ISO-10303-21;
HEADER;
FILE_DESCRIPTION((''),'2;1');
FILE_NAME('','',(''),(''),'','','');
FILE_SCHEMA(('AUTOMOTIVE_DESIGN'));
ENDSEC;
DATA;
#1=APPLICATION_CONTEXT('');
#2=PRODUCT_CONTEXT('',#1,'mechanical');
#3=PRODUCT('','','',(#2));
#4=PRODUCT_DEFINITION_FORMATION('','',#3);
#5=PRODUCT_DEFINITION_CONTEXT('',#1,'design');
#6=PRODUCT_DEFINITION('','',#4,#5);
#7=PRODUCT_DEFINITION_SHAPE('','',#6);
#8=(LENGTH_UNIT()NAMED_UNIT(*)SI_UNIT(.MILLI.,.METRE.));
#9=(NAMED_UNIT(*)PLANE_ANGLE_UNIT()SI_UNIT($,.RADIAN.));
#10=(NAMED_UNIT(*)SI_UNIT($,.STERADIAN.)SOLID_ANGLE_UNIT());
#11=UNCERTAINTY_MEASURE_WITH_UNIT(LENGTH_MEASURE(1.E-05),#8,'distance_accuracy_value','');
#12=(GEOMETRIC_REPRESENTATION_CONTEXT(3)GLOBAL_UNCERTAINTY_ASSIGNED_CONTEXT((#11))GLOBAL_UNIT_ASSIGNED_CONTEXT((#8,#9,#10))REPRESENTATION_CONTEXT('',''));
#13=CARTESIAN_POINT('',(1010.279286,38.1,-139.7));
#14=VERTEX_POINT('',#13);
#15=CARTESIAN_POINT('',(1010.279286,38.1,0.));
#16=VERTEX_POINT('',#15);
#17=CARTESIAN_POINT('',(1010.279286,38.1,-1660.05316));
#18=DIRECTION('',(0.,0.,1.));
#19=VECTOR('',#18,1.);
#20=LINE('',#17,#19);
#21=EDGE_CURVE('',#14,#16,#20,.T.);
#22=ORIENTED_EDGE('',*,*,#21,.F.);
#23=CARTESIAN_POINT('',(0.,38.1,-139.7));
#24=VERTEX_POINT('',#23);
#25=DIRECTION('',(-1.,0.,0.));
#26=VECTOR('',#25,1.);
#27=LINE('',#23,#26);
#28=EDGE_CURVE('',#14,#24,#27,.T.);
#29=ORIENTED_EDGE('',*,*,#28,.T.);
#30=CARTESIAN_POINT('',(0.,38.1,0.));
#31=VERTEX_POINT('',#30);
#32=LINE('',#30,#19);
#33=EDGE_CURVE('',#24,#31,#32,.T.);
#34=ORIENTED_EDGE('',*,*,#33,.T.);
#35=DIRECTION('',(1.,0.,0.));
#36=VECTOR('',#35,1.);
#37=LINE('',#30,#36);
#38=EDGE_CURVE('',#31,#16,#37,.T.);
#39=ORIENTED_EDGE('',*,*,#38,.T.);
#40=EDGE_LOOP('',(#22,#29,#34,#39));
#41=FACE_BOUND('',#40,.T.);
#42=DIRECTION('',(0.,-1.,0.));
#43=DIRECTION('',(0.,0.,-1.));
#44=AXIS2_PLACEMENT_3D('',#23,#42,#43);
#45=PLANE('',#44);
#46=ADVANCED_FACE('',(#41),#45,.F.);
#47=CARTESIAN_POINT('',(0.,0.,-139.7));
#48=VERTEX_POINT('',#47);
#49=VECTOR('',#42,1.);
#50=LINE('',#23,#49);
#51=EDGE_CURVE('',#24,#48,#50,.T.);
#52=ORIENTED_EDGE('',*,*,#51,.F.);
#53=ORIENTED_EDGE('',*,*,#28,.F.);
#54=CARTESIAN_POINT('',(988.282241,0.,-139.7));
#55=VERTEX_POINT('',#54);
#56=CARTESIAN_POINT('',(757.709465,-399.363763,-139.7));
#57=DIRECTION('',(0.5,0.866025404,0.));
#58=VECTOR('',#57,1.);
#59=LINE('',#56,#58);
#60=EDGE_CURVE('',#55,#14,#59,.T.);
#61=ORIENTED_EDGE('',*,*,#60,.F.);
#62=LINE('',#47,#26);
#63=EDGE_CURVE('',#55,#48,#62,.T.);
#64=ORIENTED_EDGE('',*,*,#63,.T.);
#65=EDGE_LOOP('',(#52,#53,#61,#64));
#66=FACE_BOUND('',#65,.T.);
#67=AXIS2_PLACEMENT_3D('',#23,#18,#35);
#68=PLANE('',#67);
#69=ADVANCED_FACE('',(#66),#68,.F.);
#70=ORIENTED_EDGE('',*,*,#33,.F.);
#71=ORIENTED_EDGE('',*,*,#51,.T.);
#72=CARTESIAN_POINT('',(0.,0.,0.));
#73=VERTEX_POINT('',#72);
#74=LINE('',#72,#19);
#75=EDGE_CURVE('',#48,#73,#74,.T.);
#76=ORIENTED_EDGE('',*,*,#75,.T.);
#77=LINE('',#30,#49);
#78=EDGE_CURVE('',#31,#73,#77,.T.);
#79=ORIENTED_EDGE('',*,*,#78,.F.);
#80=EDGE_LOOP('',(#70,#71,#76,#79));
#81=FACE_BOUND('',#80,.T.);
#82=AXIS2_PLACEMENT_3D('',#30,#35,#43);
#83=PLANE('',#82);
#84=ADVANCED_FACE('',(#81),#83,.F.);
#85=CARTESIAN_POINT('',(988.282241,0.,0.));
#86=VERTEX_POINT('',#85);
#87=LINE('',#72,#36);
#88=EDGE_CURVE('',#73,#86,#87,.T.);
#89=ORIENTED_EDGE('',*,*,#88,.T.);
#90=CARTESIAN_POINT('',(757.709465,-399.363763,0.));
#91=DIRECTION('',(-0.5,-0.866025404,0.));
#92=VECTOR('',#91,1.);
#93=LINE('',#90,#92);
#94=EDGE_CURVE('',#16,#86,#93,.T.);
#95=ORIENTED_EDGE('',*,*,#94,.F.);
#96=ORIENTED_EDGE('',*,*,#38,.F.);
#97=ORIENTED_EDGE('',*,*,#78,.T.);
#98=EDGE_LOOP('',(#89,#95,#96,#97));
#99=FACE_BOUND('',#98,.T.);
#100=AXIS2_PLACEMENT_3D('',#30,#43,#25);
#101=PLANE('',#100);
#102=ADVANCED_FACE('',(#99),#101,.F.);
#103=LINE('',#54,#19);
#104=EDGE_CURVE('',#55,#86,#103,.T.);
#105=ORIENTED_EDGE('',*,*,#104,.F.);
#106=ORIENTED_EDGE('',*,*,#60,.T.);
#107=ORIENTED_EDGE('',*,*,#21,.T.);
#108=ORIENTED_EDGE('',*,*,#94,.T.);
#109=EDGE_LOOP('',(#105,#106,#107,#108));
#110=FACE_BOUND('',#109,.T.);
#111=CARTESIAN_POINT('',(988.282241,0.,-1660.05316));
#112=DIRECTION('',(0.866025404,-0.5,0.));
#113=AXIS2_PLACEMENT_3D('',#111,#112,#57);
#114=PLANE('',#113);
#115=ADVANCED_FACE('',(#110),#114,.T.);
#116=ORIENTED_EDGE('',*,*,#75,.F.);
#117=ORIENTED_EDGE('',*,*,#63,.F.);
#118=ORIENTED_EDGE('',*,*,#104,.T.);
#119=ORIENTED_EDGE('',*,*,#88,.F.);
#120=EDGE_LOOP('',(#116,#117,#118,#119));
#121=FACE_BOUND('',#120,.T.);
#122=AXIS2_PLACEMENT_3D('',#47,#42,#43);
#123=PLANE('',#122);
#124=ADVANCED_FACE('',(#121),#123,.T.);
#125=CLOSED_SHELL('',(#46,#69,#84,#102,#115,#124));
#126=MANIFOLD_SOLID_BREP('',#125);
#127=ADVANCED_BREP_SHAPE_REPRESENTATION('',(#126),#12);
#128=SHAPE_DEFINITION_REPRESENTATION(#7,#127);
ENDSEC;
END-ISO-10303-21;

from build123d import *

# Parameters (mm, degrees)
SKETCH1_W               = 1066.8
SKETCH1_H               = 139.7
BOSS_EXTRUDE1_DEPTH     = 38.1
CUT_EXTRUDE1_DEPTH      = 1
CUT_EXTRUDE1_DEPTH_BACK = 140.7


with BuildPart() as part:
    # Sketch1 → Boss-Extrude1 (new body)
    with BuildSketch(Plane(origin=(0, 0, 0), x_dir=(1, 0, 0), z_dir=(0, 1, 0))):
        with Locations((533.4, 69.85)):
            Rectangle(SKETCH1_W, SKETCH1_H)
    extrude(amount=BOSS_EXTRUDE1_DEPTH)

    # Sketch2 → Cut-Extrude1 (cut, two sides)
    with BuildSketch(Plane(origin=(0, 0, -139.7), x_dir=(-1, 0, 0), z_dir=(0, 0, -1))) as cut_extrude1_sk:
        Polygon((27.715210153, -1759.759205787), (-988.282241017, 0), (-1010.279286273, 38.1), (-2026.276737443, 1797.859205787), (-5545.795149018, -234.135696553), (-3491.803201422, -3791.754108128), align=None)
    extrude(amount=CUT_EXTRUDE1_DEPTH, mode=Mode.SUBTRACT)
    extrude(cut_extrude1_sk.sketch, amount=-CUT_EXTRUDE1_DEPTH_BACK, mode=Mode.SUBTRACT)


solid = part.part
